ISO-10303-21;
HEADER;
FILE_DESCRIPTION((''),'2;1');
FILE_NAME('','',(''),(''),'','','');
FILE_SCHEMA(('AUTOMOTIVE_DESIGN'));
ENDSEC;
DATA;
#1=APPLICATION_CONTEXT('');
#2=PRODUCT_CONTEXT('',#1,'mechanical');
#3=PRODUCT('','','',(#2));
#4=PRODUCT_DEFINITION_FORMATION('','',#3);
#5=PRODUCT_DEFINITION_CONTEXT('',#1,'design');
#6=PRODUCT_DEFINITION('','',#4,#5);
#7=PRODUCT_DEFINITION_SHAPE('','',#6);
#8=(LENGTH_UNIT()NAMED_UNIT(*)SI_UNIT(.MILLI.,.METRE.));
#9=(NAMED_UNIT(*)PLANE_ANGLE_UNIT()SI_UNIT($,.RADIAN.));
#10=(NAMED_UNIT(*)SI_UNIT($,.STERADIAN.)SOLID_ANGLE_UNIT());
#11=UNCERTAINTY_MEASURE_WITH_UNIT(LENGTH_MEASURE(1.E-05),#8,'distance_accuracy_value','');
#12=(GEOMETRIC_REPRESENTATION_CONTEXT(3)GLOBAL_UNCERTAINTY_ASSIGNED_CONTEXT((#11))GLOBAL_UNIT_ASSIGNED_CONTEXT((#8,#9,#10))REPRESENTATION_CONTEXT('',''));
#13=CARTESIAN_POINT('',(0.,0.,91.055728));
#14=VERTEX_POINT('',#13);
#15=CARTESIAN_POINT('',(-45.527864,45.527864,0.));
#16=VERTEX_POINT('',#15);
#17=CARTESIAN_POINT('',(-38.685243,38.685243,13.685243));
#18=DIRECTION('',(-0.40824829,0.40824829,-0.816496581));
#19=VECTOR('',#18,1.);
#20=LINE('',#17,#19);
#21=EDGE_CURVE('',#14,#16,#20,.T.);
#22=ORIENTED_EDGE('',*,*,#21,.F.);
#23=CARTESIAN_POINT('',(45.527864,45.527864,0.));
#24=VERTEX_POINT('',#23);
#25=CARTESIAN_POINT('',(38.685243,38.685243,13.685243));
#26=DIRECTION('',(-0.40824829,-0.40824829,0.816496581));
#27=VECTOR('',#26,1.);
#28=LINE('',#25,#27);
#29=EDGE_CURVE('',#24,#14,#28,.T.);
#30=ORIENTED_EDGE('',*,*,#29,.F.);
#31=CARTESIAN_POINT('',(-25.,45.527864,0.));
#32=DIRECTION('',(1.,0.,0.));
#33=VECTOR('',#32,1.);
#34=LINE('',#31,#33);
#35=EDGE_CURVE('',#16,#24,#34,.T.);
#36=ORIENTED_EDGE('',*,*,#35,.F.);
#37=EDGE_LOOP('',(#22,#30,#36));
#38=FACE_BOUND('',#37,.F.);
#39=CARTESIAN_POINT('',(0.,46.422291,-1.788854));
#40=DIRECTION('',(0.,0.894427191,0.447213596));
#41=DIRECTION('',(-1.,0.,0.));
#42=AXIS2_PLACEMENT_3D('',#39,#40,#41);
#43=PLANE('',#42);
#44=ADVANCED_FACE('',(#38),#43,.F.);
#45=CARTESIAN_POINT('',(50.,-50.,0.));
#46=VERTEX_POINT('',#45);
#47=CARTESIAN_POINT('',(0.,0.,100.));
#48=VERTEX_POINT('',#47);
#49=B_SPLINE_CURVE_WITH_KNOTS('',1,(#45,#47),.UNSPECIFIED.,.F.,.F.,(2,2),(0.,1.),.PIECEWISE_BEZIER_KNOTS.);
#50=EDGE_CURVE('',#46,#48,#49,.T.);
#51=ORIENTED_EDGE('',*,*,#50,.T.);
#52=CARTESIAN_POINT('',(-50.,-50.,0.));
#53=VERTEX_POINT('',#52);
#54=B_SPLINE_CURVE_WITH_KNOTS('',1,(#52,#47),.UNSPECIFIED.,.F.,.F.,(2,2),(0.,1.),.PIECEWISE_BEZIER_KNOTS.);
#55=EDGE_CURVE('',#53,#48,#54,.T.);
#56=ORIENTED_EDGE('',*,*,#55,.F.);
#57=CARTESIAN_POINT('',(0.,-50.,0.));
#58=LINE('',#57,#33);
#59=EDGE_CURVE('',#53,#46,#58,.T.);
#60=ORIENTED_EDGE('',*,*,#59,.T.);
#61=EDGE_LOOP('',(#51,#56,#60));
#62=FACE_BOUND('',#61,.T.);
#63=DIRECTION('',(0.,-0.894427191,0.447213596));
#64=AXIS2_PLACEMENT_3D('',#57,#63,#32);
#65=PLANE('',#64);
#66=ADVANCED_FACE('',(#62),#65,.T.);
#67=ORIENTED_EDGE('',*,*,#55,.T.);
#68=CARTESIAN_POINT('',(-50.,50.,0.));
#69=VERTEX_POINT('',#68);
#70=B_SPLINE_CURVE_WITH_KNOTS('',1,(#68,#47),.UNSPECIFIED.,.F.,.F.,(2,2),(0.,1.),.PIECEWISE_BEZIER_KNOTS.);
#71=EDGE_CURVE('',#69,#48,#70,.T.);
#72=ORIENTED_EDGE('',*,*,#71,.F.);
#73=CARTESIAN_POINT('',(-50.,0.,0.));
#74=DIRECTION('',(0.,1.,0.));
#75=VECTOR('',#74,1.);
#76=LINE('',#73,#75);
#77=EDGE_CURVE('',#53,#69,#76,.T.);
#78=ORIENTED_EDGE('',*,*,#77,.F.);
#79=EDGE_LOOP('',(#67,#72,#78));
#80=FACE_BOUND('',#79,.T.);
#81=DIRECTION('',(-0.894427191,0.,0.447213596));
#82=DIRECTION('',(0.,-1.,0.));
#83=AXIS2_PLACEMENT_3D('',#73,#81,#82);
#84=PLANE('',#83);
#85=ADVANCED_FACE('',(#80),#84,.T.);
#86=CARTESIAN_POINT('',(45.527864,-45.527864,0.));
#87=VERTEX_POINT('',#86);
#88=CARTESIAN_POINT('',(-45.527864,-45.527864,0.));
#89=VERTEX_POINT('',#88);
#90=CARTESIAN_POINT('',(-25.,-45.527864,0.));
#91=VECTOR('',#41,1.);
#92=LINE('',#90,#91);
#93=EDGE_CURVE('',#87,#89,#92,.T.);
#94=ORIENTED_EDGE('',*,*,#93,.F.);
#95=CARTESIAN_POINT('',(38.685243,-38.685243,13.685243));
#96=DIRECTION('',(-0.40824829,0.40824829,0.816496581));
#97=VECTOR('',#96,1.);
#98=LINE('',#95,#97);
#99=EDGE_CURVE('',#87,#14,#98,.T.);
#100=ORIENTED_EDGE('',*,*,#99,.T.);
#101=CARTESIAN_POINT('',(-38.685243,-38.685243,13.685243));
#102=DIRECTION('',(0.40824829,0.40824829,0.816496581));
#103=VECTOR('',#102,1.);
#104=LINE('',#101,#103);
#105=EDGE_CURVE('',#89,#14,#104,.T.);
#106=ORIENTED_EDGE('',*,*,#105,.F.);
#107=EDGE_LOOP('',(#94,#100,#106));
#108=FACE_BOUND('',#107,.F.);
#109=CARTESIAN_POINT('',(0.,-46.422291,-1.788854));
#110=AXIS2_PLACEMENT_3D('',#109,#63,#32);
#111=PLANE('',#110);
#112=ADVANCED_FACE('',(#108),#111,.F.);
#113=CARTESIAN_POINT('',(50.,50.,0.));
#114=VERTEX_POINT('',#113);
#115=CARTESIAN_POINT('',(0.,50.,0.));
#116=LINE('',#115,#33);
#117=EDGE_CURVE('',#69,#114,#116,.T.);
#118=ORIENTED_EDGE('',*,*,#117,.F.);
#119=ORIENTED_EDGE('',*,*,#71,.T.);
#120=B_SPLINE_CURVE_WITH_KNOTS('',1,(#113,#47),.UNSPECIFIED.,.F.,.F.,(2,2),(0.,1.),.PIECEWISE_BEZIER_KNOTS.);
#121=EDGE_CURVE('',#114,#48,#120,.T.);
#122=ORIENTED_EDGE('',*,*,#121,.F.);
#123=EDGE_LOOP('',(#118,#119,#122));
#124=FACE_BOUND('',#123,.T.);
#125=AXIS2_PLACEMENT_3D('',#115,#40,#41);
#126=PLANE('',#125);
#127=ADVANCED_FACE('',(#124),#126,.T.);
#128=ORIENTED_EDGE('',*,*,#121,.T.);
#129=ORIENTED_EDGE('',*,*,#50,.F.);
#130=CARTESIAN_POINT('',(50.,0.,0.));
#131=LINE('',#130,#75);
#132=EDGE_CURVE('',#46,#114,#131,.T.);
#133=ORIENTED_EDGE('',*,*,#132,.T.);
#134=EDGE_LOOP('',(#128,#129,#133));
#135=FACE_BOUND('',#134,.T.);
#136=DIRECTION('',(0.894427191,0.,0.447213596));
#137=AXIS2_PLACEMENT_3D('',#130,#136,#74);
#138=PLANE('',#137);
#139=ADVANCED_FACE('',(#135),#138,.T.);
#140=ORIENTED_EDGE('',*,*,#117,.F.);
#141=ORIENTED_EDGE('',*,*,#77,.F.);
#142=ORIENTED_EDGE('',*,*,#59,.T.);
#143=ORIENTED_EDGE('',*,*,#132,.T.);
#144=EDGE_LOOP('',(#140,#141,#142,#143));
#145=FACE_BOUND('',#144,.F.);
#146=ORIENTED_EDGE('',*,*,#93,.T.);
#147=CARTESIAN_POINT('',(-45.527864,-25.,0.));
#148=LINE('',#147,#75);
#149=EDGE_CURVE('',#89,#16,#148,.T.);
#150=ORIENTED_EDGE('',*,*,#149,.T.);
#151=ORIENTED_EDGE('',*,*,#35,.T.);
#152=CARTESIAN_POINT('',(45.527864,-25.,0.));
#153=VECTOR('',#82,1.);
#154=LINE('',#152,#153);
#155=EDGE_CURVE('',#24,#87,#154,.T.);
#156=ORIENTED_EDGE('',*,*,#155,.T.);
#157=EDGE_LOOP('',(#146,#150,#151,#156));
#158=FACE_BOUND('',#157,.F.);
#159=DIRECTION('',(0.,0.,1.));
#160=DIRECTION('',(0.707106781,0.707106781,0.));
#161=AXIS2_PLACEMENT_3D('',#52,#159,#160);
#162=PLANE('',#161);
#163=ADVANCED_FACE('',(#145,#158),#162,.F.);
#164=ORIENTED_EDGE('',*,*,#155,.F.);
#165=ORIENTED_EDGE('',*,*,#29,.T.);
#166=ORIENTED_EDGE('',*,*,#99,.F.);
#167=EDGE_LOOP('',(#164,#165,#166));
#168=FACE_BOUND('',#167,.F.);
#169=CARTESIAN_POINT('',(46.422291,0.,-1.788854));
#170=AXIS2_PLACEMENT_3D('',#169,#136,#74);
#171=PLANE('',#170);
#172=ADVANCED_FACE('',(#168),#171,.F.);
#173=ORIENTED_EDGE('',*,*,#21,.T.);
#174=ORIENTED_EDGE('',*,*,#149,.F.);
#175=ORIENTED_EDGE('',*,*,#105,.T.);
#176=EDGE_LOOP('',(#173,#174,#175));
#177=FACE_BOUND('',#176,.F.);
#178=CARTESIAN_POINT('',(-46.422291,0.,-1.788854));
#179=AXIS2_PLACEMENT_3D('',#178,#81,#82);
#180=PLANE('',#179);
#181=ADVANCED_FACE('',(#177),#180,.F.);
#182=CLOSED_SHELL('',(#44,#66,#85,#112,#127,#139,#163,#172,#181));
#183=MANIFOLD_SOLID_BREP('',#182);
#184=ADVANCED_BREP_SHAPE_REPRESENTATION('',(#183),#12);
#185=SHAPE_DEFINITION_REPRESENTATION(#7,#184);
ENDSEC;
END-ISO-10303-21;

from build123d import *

# Parameters (mm, degrees)
F0_W = 100
F0_H = 100
F4_T = -4


with BuildPart() as f3:
    # F0 (on Top) → F3 section 0
    with BuildSketch(Plane.XY, mode=Mode.PRIVATE) as f3_s0:
        Rectangle(F0_W, F0_H)
    loft([f3_s0.sketch, Vertex(0, 0, 100)])

    # F4
    f4_openings = [f3.faces().sort_by_distance(p)[0] for p in [
        (0, 0, 0),
    ]]
    offset(amount=F4_T, openings=f4_openings)


solid = f3.part
